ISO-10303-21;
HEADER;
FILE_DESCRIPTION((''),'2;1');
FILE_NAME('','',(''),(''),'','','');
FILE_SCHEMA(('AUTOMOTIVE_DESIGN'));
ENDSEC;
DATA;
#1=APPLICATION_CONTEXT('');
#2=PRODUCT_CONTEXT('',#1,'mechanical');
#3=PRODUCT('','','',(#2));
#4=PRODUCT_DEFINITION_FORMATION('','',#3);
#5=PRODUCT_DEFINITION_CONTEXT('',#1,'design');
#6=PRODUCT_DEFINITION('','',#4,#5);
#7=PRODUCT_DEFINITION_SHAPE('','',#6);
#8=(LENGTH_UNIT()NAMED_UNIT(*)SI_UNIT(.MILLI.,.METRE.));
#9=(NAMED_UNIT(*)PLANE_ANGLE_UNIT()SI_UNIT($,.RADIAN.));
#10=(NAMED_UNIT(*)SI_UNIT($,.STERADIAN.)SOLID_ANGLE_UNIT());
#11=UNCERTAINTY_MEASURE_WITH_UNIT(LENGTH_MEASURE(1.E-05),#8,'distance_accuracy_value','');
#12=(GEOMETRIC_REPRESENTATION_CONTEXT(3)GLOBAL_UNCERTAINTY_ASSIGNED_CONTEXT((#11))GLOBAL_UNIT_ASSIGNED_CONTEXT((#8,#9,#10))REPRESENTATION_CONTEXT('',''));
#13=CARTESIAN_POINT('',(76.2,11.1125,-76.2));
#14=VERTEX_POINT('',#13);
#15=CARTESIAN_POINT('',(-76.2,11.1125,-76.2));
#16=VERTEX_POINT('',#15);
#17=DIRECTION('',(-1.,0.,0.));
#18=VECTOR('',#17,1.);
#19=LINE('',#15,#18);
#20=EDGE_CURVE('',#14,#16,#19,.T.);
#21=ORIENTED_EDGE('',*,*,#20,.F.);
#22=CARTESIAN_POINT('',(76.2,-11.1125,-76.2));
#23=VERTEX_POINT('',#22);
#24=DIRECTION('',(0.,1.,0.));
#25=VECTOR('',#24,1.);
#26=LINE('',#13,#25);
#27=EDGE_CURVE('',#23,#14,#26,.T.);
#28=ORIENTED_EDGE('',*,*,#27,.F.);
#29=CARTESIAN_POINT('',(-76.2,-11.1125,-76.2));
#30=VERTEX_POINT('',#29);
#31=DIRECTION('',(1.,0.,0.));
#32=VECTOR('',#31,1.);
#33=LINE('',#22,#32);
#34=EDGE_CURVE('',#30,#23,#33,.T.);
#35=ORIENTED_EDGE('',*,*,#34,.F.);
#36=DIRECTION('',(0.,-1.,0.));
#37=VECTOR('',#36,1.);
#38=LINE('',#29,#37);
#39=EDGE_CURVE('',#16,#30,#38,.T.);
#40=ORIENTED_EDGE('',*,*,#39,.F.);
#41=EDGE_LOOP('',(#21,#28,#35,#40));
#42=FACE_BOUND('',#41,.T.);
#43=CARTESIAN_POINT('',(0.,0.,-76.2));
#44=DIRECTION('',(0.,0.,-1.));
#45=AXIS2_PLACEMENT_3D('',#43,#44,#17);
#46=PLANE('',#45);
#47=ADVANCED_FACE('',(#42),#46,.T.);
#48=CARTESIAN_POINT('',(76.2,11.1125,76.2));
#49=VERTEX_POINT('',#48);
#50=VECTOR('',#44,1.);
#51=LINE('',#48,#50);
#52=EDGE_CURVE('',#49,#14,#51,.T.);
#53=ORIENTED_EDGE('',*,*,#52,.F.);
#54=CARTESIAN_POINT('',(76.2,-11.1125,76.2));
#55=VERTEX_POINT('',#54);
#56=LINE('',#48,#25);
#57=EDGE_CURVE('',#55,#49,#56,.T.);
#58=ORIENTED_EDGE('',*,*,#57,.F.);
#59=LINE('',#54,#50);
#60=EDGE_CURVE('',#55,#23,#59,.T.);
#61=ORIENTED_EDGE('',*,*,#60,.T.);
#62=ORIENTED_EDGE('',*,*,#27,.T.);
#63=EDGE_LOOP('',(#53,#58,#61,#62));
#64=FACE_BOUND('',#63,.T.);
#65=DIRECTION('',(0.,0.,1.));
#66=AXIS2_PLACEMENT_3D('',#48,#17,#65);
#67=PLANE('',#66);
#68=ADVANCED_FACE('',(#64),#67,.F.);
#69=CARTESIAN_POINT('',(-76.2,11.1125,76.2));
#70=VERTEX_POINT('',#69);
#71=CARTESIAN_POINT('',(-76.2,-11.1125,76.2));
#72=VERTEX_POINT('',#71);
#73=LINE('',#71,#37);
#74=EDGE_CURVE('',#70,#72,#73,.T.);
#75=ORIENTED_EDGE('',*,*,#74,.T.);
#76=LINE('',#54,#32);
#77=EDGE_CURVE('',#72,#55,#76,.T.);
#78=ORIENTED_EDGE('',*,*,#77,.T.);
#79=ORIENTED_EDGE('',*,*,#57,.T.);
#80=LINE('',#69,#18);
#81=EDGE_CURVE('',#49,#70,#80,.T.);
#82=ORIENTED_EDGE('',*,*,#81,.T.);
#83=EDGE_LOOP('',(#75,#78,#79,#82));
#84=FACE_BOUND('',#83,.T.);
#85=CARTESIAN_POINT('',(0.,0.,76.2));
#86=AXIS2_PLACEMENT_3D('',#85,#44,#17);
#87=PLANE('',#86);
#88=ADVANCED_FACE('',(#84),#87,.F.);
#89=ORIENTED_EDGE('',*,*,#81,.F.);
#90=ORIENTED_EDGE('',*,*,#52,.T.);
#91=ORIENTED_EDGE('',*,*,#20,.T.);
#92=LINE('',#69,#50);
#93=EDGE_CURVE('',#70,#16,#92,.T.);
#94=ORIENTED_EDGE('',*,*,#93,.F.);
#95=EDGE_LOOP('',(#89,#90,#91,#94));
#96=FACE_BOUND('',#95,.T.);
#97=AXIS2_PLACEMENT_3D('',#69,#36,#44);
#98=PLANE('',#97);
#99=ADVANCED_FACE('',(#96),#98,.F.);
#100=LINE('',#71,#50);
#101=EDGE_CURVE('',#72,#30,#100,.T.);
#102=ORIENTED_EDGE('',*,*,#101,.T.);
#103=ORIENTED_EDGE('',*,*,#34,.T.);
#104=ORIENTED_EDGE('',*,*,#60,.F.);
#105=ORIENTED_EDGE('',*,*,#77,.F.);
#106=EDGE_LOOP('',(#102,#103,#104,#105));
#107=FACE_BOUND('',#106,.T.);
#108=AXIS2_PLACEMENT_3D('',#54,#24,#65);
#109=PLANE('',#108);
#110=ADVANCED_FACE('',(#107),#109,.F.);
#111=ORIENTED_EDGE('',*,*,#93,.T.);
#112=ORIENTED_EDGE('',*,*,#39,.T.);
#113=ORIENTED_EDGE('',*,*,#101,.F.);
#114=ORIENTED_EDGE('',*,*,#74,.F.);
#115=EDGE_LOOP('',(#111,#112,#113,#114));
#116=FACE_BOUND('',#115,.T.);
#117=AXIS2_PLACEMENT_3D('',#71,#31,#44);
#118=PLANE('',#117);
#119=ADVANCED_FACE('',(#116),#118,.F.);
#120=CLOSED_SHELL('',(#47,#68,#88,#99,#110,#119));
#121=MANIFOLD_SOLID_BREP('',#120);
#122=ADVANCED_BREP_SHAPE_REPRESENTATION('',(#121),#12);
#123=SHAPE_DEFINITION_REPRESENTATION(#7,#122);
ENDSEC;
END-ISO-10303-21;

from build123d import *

# Parameters (mm, degrees)
SKETCH3_W           = 152.4
SKETCH3_H           = 22.225
BOSS_EXTRUDE1_DEPTH = 76.2


with BuildPart() as part:
    # Sketch3 → Boss-Extrude1 (new, symmetric)
    with BuildSketch(Plane.XY):
        Rectangle(SKETCH3_W, SKETCH3_H)
    extrude(amount=BOSS_EXTRUDE1_DEPTH, both=True)


solid = part.part
